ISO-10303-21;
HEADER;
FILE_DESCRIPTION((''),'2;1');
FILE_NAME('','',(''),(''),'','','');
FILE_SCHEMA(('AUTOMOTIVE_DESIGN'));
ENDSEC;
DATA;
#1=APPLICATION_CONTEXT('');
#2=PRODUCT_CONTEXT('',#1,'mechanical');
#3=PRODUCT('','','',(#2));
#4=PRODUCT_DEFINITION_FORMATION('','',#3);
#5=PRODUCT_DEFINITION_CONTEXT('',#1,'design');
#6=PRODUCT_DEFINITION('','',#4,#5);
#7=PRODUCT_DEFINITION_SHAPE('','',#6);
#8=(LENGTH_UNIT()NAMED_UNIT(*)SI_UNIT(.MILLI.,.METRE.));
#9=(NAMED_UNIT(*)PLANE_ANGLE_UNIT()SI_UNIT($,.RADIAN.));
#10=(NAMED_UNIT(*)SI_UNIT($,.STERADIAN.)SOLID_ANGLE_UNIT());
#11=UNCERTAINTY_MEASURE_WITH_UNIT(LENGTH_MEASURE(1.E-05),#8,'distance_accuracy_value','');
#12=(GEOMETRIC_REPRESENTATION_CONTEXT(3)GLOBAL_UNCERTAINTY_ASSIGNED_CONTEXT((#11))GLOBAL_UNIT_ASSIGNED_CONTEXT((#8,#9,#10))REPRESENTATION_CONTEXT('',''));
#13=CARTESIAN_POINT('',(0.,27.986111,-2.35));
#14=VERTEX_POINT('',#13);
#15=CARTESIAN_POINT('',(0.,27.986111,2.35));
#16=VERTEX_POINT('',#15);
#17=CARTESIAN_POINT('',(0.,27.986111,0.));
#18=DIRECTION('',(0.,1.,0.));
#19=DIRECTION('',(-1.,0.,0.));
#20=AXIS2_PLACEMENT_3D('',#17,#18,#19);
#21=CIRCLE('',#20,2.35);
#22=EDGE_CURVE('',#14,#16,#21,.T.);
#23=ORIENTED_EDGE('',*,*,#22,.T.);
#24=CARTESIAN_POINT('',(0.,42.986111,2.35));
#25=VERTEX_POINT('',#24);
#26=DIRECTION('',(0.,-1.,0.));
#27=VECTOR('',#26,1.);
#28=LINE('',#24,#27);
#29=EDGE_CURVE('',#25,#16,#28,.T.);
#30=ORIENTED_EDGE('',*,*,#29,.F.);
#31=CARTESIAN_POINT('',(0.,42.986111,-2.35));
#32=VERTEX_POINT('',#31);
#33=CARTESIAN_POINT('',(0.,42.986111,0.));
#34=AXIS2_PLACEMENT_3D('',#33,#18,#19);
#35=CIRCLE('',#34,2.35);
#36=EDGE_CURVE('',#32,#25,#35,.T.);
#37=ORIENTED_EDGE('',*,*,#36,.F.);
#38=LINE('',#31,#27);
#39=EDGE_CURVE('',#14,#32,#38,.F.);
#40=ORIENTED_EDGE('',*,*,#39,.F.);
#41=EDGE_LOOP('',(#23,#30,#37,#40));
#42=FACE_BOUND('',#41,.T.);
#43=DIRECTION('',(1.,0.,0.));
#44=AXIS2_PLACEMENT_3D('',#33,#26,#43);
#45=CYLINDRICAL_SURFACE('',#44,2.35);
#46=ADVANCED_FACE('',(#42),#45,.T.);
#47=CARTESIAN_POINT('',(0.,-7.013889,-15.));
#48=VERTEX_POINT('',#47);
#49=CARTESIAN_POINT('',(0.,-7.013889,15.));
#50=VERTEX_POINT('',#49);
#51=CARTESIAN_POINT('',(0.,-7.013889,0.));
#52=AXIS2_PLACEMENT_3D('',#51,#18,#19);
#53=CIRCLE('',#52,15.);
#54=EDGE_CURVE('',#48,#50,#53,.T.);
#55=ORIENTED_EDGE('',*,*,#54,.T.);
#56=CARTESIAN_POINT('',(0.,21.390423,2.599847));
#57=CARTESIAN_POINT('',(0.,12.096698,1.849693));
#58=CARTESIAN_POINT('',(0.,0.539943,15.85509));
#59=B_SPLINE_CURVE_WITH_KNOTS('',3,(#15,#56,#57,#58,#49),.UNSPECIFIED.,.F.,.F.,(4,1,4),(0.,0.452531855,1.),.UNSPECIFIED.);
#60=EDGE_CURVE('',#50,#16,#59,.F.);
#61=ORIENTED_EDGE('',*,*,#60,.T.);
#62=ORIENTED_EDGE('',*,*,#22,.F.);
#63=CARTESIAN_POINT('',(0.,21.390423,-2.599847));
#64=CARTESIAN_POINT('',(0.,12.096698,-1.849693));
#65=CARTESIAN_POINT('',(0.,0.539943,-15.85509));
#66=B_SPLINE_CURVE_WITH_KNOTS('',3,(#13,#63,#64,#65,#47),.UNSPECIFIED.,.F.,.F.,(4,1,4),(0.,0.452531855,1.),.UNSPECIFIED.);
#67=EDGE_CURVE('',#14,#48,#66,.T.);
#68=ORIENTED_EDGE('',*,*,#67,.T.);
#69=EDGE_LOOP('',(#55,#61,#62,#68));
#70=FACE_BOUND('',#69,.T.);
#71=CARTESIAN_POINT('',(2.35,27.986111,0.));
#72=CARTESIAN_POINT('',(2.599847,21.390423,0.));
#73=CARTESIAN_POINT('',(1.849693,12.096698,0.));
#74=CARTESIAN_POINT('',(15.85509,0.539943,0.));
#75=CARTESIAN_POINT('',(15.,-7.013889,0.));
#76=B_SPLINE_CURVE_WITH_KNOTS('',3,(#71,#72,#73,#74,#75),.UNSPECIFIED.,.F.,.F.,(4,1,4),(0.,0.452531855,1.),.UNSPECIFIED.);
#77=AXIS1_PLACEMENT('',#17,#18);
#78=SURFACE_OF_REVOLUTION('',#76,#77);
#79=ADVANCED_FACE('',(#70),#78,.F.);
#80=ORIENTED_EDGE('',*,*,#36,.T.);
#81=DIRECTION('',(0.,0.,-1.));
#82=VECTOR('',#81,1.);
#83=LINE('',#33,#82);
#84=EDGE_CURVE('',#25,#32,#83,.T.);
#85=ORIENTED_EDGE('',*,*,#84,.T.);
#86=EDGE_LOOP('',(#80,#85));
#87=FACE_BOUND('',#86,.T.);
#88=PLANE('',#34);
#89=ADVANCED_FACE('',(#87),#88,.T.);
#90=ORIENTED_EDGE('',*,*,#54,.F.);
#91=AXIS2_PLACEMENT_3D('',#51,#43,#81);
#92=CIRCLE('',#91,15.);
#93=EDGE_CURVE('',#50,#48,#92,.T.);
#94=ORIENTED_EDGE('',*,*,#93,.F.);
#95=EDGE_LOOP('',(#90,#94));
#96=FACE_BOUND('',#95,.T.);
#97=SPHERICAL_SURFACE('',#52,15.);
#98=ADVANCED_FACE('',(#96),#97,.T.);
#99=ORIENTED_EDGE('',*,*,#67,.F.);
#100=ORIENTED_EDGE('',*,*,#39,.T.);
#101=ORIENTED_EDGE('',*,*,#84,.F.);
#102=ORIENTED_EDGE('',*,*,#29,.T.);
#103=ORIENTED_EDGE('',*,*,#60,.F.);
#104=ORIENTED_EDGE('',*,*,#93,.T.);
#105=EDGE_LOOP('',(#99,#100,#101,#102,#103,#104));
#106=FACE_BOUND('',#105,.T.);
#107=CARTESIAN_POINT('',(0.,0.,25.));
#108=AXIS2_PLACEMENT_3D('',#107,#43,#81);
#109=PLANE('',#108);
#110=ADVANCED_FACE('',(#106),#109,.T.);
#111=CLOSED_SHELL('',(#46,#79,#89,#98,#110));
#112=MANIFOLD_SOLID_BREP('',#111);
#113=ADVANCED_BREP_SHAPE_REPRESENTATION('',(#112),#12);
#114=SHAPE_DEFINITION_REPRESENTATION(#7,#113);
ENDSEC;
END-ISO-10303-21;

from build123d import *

# Parameters (mm, degrees)
SKETCH2_R               = 2.35
BOSS_EXTRUDE1_DEPTH     = 15
CUT_EXTRUDE2_DEPTH      = 25
CUT_EXTRUDE2_DEPTH_BACK = 25


with BuildPart() as part:
    # Sketch1 → Revolve2 (revolve)
    with BuildSketch(Plane.XY, mode=Mode.PRIVATE) as revolve2_sk:
        with BuildLine():
            Line((0, 27.986111111), (0, -7.013888889))
            Line((0, -7.013888889), (0, -22.013888889))
            ThreePointArc((0, -22.013888889), (10.606601718, -17.620490607), (15, -7.013888889))
            add(Edge.make_bspline(
                [(2.35, 27.986111111), (2.599847264, 21.390422987), (1.849692868, 12.096697956), (15.855089794, 0.539943119), (15, -7.013888889)],
                knots=[0, 0, 0, 0, 0.452531855, 1, 1, 1, 1], degree=3))
            Line((2.35, 27.986111111), (0, 27.986111111))
        make_face()
    revolve(revolve2_sk.sketch.rotate(Axis((0, 27.986111111, 0), (0, -1, 0)), 180), axis=Axis((0, 27.986111111, 0), (0, -1, 0)))  # turned: the seam where the file's is

    # Sketch2 → Boss-Extrude1 (add)
    with BuildSketch(Plane(origin=(0, 27.986111111, 0), x_dir=(1, 0, 0), z_dir=(0, 1, 0))):
        with Locations(Location((0, 0, 0), (0, 0, 180))):  # turned: the seam where the file's is
            Circle(SKETCH2_R)
    extrude(amount=BOSS_EXTRUDE1_DEPTH)

    # Sketch3 → Cut-Extrude2 (cut, two sides)
    with BuildSketch(Plane.XY) as cut_extrude2_sk:
        Polygon((0, 42.986111111), (0, 27.986111111), (0, -22.013888889), (0, -24.288490859), (33.029158628, -24.288490859), (33.029158628, 42.986111111), align=None)
    extrude(amount=CUT_EXTRUDE2_DEPTH, mode=Mode.SUBTRACT)
    extrude(cut_extrude2_sk.sketch, amount=-CUT_EXTRUDE2_DEPTH_BACK, mode=Mode.SUBTRACT)


solid = part.part
